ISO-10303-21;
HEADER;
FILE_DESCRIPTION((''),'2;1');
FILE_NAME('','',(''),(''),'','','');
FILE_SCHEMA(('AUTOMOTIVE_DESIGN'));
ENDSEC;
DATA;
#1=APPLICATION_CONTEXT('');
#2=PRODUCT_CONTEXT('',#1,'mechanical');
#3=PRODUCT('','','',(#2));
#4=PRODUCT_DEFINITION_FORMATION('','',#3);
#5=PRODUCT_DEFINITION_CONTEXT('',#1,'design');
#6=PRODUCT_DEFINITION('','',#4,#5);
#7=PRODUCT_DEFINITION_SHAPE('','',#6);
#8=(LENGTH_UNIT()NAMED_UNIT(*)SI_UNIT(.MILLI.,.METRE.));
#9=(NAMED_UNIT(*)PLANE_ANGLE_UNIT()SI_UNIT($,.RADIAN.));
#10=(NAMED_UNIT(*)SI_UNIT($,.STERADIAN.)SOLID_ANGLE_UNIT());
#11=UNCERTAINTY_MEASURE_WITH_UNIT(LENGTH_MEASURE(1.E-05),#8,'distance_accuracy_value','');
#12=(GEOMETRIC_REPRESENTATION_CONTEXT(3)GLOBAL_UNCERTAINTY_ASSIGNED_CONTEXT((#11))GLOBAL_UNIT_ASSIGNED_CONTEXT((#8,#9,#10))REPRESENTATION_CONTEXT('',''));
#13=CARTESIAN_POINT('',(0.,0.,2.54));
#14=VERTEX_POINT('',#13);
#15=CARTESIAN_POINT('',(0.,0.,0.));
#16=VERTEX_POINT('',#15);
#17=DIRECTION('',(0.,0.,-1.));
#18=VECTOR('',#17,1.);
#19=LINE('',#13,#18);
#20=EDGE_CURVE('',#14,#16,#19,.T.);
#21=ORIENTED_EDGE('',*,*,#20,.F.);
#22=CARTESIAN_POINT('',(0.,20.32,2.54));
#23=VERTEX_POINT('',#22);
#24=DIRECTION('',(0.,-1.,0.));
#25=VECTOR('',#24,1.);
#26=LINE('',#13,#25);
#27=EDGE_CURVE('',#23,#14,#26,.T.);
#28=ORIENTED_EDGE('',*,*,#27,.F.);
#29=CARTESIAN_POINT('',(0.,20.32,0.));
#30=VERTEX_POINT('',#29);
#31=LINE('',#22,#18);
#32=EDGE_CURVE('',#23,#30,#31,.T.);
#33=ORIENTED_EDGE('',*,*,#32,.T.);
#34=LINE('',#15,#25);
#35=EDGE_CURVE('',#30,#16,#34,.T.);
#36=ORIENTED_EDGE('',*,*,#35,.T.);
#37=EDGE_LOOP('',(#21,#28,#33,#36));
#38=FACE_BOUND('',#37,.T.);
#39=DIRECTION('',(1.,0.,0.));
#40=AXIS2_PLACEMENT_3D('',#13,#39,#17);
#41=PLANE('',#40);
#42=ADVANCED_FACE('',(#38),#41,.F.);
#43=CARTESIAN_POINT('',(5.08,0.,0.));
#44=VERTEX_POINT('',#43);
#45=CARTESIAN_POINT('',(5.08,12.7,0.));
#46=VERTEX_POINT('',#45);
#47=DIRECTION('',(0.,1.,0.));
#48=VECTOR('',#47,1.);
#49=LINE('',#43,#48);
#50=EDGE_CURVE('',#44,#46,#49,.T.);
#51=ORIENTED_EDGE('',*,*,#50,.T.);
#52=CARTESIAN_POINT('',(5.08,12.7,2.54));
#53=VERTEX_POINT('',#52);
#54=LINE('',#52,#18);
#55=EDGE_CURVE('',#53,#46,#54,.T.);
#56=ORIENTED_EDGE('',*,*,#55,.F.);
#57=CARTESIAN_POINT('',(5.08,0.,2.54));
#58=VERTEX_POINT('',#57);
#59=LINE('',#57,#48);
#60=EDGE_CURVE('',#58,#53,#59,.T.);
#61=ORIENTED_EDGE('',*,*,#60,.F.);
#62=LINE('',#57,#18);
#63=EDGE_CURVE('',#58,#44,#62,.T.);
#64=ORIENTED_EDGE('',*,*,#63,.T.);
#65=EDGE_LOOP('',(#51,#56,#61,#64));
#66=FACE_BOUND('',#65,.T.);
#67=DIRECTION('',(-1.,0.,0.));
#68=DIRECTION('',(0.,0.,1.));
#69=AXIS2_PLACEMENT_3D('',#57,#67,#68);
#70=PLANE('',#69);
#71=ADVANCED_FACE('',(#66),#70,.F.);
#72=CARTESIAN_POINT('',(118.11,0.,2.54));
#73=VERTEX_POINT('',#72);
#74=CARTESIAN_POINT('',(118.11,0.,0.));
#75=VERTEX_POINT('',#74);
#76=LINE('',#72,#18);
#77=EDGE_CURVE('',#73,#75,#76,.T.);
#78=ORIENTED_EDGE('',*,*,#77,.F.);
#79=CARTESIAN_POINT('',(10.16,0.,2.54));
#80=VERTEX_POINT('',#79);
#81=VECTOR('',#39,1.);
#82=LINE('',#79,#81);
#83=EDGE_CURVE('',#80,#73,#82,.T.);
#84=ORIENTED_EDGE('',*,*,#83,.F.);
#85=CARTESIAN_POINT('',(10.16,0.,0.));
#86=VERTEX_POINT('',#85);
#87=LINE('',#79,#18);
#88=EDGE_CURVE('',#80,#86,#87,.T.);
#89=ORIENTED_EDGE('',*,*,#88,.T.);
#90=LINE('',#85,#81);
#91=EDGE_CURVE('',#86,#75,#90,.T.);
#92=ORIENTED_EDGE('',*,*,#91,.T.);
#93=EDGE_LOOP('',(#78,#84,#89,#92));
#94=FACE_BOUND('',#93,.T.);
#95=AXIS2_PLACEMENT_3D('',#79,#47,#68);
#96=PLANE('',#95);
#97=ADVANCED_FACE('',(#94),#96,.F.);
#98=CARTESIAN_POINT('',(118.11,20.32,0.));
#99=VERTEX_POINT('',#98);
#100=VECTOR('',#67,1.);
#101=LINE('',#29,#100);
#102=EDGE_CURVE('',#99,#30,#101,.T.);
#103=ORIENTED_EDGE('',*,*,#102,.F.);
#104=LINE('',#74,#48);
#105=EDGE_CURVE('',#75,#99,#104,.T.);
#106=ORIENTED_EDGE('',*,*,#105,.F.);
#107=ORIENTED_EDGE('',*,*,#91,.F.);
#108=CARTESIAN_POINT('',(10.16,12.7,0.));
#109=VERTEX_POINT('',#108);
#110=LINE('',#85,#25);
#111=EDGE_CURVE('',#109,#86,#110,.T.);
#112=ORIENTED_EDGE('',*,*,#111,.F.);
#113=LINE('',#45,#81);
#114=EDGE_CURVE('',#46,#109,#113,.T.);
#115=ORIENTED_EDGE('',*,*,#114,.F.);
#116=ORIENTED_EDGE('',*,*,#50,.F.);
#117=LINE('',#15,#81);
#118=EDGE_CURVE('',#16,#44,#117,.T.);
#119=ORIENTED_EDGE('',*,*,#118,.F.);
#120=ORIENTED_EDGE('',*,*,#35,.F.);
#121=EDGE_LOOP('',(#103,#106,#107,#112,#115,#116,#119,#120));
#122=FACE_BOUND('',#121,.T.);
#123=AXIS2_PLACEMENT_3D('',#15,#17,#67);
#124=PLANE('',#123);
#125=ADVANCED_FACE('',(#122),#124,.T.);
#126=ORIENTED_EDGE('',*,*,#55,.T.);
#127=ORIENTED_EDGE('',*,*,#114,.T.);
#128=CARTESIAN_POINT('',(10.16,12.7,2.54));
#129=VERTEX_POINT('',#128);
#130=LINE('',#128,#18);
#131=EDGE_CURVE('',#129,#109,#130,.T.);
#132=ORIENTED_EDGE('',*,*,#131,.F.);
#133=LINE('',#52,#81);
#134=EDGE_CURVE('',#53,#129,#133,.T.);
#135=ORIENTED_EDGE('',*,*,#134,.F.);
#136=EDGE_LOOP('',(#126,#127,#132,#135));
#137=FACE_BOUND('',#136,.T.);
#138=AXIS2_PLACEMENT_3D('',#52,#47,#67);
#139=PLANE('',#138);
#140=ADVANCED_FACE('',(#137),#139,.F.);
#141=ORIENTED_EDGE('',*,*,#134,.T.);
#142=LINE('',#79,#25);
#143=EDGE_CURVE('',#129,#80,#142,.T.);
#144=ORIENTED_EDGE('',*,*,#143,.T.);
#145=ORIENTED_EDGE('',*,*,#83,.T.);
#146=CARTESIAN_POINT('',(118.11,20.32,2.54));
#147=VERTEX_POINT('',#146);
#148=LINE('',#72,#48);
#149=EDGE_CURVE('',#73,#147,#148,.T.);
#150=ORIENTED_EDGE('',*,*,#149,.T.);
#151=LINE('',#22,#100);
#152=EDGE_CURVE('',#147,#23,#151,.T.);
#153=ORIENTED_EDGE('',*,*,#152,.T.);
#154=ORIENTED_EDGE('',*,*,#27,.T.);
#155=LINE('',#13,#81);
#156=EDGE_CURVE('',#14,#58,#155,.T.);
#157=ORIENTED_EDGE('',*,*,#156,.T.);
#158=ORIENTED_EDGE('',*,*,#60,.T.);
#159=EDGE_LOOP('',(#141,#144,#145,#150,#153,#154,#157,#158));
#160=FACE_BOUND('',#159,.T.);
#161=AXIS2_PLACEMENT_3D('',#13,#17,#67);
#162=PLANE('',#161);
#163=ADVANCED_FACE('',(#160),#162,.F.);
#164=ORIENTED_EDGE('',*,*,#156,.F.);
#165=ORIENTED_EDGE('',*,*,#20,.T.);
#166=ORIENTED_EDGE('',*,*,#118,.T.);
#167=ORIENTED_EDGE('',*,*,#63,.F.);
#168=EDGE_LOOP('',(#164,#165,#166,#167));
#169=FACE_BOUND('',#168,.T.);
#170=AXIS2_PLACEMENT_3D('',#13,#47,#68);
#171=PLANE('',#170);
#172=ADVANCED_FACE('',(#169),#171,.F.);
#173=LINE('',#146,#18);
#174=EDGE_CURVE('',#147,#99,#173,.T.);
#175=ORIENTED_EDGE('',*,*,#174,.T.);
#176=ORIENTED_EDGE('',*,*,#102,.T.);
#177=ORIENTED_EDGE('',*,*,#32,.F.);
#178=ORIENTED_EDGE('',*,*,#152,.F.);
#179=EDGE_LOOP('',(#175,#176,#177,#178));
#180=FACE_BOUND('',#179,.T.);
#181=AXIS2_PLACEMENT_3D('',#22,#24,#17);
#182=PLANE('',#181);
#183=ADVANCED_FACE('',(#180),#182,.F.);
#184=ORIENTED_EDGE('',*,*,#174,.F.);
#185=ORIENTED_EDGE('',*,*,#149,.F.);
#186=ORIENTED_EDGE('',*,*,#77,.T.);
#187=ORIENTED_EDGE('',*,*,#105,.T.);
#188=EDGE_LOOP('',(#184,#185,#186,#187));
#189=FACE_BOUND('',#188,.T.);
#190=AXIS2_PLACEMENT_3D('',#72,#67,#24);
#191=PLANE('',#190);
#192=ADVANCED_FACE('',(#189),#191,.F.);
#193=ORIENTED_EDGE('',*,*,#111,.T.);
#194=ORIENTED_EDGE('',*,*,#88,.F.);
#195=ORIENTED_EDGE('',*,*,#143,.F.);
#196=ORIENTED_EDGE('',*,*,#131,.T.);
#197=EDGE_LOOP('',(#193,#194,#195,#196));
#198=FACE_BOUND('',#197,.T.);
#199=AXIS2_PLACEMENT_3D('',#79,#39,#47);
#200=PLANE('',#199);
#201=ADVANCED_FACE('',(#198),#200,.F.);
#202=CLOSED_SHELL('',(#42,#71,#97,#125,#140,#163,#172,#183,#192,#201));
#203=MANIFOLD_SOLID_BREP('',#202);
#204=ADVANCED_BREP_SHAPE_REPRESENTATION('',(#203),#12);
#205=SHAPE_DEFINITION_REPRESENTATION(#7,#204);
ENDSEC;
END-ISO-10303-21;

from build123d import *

# Parameters (mm, degrees)
BOSS_EXTRUDE1_DEPTH = 2.54


with BuildPart() as part:
    # Sketch1 → Boss-Extrude1 (new body)
    with BuildSketch(Plane.XY):
        Polygon((10.16, 0), (118.11, 0), (118.11, 20.32), (0, 20.32), (0, 0), (5.08, 0), (5.08, 12.7), (10.16, 12.7), align=None)
    extrude(amount=BOSS_EXTRUDE1_DEPTH)


solid = part.part
